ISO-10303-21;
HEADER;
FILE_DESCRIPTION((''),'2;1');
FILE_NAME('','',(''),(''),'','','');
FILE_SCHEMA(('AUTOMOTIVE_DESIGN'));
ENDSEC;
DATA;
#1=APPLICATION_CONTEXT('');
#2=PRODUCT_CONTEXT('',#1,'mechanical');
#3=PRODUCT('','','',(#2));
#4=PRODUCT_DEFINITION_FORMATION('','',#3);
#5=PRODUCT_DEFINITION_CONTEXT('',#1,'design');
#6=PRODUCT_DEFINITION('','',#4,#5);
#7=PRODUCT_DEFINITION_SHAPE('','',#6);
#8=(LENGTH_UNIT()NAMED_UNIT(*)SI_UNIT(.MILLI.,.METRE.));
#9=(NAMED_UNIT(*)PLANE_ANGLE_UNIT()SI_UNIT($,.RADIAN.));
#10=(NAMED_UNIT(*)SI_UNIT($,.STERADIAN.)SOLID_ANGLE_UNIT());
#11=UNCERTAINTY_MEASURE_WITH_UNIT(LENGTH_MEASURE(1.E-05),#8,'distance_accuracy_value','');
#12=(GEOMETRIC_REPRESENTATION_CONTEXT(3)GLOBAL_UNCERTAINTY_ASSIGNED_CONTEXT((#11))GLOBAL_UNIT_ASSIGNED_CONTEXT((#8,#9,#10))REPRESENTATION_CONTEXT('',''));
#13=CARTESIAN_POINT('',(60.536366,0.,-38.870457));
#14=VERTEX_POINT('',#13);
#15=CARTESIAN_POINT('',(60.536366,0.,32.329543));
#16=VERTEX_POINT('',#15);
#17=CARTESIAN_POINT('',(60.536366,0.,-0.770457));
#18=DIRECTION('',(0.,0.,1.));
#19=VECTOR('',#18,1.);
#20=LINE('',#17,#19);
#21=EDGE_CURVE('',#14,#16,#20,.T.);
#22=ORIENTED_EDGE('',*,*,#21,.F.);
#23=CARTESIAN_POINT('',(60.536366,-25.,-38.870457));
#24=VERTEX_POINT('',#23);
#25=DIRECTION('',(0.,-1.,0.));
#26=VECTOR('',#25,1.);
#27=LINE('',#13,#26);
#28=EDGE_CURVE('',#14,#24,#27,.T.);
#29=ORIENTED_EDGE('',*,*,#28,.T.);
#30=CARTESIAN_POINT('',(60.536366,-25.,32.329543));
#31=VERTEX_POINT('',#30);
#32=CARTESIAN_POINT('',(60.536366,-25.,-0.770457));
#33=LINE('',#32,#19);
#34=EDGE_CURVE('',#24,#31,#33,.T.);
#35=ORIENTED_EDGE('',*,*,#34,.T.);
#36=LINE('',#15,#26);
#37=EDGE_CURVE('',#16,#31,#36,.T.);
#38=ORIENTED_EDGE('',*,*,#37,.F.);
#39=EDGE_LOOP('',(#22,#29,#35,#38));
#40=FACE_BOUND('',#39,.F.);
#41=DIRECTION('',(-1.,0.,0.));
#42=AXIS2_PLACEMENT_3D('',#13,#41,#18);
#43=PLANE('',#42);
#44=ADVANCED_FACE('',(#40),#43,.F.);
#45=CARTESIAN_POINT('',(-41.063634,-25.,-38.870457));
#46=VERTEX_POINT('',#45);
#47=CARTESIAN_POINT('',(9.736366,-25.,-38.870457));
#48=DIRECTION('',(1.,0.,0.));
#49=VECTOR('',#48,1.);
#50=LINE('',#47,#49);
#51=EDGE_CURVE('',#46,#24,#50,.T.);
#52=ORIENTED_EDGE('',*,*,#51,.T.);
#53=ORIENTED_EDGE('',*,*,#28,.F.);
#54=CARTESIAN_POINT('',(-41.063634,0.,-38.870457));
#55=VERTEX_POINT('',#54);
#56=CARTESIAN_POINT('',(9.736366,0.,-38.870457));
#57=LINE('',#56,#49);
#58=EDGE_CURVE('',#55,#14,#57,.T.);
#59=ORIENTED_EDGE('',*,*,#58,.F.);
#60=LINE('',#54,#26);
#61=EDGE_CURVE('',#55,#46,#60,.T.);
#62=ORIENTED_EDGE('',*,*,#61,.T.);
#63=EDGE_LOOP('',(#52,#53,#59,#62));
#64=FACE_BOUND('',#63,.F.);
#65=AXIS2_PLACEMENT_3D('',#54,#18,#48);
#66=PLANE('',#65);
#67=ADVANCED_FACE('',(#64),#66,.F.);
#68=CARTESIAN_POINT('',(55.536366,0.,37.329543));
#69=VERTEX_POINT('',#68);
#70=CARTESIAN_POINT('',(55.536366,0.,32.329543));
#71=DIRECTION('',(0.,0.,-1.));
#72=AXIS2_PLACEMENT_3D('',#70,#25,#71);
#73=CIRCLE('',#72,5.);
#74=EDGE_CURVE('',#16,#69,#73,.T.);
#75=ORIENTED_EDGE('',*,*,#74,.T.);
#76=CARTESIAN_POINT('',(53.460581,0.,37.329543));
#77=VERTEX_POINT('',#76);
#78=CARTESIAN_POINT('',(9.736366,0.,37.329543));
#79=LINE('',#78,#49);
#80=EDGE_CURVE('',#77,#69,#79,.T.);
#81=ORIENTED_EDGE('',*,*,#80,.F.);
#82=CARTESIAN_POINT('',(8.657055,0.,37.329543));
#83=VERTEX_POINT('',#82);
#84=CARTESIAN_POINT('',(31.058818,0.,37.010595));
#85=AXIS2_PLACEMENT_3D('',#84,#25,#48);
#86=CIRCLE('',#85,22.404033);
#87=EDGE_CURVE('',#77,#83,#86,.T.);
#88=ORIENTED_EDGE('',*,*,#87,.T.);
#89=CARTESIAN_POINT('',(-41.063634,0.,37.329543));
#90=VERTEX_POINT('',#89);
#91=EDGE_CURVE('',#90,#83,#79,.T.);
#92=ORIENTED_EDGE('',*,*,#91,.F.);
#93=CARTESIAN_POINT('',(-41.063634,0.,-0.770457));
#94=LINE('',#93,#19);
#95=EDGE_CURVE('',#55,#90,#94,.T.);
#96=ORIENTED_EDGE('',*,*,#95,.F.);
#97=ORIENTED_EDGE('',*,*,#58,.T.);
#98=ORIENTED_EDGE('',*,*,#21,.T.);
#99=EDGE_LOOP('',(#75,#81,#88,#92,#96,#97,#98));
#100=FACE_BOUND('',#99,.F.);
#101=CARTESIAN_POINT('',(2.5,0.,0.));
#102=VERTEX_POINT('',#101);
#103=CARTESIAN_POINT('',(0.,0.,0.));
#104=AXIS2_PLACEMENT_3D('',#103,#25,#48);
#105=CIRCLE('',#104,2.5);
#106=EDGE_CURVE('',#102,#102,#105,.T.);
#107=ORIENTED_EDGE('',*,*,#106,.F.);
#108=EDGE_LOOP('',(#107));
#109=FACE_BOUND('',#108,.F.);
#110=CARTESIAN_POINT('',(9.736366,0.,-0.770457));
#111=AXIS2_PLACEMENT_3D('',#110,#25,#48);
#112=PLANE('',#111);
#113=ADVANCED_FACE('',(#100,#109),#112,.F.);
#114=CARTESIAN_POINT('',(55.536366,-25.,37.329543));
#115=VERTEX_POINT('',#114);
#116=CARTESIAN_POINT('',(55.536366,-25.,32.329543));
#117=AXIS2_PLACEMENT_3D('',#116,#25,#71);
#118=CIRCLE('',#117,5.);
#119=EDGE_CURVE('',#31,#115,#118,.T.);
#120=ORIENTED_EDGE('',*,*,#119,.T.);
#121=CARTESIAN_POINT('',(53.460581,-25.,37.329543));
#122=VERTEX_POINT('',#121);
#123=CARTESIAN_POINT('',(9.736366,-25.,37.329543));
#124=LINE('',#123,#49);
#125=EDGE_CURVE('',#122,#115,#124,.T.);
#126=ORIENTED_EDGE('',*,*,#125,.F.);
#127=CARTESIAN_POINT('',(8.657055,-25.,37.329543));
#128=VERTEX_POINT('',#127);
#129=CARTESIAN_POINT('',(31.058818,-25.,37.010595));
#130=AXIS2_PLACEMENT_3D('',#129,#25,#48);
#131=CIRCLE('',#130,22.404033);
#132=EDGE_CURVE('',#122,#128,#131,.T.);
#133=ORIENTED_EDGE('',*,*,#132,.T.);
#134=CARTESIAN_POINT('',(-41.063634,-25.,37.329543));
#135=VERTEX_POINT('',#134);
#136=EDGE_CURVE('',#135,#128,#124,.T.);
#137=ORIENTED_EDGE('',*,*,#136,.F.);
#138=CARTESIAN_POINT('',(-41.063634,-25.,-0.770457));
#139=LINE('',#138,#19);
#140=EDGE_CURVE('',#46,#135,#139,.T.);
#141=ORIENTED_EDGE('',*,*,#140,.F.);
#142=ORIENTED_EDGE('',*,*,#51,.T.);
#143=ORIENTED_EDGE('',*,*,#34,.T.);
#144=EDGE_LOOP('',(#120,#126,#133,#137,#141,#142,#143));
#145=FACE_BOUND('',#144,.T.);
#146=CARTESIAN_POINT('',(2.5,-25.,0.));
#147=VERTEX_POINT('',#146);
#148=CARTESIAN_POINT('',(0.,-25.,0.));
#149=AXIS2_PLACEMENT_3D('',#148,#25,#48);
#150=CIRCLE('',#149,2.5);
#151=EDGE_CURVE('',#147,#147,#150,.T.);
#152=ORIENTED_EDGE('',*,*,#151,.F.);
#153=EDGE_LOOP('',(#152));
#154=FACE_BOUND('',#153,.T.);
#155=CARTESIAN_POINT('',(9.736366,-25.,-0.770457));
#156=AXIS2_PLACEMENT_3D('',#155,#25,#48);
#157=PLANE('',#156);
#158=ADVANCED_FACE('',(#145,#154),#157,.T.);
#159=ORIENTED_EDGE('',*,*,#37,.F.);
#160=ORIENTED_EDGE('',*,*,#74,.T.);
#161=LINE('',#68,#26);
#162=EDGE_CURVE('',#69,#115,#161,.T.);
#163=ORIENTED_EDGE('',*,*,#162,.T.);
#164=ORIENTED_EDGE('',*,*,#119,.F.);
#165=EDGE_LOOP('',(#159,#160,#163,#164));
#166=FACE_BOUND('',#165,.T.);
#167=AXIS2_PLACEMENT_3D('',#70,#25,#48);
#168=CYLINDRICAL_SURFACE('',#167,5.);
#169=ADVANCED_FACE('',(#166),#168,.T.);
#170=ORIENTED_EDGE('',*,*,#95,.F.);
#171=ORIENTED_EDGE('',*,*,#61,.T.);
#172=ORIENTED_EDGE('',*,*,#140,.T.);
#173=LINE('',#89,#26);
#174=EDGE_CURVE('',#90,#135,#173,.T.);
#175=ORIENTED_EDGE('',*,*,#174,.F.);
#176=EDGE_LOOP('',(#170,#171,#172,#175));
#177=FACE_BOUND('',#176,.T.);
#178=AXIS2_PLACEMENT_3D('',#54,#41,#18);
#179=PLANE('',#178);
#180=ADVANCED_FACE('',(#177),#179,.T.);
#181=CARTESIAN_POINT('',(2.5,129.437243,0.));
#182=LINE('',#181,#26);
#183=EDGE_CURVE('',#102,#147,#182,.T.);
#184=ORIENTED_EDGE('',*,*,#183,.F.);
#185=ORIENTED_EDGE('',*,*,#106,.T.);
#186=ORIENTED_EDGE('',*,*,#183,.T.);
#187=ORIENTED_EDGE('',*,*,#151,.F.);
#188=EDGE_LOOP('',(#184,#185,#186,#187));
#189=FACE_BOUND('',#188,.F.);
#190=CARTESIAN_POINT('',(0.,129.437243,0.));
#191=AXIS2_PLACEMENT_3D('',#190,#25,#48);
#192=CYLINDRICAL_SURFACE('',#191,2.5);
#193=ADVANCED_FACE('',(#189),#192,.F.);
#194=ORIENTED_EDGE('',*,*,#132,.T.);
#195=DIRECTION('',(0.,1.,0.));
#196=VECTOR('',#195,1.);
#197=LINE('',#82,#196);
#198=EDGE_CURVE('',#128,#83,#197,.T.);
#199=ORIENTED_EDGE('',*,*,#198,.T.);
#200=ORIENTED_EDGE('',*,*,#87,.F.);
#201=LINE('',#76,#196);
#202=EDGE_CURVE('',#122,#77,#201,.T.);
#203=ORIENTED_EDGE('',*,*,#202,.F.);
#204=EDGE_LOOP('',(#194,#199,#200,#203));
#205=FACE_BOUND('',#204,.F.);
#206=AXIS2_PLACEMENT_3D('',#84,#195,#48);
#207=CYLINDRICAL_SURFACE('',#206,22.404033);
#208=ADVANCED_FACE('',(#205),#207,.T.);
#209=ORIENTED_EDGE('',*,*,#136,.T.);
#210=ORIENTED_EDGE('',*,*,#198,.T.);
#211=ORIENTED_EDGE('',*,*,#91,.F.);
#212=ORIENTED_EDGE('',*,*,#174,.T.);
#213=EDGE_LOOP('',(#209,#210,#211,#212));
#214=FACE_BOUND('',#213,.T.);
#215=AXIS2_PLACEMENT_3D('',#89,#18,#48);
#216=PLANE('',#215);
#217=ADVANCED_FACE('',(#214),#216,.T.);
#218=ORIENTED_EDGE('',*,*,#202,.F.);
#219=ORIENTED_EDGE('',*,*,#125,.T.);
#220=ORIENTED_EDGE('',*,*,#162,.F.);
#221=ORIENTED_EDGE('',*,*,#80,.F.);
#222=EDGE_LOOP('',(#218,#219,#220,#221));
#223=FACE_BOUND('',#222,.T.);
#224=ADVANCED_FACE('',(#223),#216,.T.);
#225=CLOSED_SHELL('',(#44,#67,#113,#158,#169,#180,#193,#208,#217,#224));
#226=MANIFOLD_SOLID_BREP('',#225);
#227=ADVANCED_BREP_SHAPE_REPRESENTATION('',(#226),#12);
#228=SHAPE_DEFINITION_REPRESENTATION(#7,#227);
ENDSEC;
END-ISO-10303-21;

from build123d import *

# Parameters (mm, degrees)
F0_W     = 101.6
F0_H     = 76.2
F1_DEPTH = 25
F2_R     = 5
F4_D     = 5
F5_R     = 22.404033
F6_DEPTH = 25


with BuildPart() as f1:
    # F0 (on Front) → F1 (new body)
    with BuildSketch(Plane.XZ):
        with Locations((9.736366, -0.770457)):
            Rectangle(F0_W, F0_H)
    extrude(amount=F1_DEPTH)

    # F2
    f2_edges = [f1.edges().sort_by_distance(p)[0] for p in [
        (60.536366, -12.5, 37.329543),
    ]]
    fillet(f2_edges, radius=F2_R)

    # F4 (through all)
    with Locations(Plane(origin=(0, 0, 0), x_dir=(-1, 0, 0), z_dir=(0, 1, 0))):
        with Locations((0, 0)):
            Hole(F4_D / 2)

    # F5 (on Front) → F6 (join)
    with BuildSketch(Plane.XZ):
        with Locations((31.058818, 37.010595)):
            Circle(F5_R)
    extrude(amount=F6_DEPTH)


solid = f1.part
